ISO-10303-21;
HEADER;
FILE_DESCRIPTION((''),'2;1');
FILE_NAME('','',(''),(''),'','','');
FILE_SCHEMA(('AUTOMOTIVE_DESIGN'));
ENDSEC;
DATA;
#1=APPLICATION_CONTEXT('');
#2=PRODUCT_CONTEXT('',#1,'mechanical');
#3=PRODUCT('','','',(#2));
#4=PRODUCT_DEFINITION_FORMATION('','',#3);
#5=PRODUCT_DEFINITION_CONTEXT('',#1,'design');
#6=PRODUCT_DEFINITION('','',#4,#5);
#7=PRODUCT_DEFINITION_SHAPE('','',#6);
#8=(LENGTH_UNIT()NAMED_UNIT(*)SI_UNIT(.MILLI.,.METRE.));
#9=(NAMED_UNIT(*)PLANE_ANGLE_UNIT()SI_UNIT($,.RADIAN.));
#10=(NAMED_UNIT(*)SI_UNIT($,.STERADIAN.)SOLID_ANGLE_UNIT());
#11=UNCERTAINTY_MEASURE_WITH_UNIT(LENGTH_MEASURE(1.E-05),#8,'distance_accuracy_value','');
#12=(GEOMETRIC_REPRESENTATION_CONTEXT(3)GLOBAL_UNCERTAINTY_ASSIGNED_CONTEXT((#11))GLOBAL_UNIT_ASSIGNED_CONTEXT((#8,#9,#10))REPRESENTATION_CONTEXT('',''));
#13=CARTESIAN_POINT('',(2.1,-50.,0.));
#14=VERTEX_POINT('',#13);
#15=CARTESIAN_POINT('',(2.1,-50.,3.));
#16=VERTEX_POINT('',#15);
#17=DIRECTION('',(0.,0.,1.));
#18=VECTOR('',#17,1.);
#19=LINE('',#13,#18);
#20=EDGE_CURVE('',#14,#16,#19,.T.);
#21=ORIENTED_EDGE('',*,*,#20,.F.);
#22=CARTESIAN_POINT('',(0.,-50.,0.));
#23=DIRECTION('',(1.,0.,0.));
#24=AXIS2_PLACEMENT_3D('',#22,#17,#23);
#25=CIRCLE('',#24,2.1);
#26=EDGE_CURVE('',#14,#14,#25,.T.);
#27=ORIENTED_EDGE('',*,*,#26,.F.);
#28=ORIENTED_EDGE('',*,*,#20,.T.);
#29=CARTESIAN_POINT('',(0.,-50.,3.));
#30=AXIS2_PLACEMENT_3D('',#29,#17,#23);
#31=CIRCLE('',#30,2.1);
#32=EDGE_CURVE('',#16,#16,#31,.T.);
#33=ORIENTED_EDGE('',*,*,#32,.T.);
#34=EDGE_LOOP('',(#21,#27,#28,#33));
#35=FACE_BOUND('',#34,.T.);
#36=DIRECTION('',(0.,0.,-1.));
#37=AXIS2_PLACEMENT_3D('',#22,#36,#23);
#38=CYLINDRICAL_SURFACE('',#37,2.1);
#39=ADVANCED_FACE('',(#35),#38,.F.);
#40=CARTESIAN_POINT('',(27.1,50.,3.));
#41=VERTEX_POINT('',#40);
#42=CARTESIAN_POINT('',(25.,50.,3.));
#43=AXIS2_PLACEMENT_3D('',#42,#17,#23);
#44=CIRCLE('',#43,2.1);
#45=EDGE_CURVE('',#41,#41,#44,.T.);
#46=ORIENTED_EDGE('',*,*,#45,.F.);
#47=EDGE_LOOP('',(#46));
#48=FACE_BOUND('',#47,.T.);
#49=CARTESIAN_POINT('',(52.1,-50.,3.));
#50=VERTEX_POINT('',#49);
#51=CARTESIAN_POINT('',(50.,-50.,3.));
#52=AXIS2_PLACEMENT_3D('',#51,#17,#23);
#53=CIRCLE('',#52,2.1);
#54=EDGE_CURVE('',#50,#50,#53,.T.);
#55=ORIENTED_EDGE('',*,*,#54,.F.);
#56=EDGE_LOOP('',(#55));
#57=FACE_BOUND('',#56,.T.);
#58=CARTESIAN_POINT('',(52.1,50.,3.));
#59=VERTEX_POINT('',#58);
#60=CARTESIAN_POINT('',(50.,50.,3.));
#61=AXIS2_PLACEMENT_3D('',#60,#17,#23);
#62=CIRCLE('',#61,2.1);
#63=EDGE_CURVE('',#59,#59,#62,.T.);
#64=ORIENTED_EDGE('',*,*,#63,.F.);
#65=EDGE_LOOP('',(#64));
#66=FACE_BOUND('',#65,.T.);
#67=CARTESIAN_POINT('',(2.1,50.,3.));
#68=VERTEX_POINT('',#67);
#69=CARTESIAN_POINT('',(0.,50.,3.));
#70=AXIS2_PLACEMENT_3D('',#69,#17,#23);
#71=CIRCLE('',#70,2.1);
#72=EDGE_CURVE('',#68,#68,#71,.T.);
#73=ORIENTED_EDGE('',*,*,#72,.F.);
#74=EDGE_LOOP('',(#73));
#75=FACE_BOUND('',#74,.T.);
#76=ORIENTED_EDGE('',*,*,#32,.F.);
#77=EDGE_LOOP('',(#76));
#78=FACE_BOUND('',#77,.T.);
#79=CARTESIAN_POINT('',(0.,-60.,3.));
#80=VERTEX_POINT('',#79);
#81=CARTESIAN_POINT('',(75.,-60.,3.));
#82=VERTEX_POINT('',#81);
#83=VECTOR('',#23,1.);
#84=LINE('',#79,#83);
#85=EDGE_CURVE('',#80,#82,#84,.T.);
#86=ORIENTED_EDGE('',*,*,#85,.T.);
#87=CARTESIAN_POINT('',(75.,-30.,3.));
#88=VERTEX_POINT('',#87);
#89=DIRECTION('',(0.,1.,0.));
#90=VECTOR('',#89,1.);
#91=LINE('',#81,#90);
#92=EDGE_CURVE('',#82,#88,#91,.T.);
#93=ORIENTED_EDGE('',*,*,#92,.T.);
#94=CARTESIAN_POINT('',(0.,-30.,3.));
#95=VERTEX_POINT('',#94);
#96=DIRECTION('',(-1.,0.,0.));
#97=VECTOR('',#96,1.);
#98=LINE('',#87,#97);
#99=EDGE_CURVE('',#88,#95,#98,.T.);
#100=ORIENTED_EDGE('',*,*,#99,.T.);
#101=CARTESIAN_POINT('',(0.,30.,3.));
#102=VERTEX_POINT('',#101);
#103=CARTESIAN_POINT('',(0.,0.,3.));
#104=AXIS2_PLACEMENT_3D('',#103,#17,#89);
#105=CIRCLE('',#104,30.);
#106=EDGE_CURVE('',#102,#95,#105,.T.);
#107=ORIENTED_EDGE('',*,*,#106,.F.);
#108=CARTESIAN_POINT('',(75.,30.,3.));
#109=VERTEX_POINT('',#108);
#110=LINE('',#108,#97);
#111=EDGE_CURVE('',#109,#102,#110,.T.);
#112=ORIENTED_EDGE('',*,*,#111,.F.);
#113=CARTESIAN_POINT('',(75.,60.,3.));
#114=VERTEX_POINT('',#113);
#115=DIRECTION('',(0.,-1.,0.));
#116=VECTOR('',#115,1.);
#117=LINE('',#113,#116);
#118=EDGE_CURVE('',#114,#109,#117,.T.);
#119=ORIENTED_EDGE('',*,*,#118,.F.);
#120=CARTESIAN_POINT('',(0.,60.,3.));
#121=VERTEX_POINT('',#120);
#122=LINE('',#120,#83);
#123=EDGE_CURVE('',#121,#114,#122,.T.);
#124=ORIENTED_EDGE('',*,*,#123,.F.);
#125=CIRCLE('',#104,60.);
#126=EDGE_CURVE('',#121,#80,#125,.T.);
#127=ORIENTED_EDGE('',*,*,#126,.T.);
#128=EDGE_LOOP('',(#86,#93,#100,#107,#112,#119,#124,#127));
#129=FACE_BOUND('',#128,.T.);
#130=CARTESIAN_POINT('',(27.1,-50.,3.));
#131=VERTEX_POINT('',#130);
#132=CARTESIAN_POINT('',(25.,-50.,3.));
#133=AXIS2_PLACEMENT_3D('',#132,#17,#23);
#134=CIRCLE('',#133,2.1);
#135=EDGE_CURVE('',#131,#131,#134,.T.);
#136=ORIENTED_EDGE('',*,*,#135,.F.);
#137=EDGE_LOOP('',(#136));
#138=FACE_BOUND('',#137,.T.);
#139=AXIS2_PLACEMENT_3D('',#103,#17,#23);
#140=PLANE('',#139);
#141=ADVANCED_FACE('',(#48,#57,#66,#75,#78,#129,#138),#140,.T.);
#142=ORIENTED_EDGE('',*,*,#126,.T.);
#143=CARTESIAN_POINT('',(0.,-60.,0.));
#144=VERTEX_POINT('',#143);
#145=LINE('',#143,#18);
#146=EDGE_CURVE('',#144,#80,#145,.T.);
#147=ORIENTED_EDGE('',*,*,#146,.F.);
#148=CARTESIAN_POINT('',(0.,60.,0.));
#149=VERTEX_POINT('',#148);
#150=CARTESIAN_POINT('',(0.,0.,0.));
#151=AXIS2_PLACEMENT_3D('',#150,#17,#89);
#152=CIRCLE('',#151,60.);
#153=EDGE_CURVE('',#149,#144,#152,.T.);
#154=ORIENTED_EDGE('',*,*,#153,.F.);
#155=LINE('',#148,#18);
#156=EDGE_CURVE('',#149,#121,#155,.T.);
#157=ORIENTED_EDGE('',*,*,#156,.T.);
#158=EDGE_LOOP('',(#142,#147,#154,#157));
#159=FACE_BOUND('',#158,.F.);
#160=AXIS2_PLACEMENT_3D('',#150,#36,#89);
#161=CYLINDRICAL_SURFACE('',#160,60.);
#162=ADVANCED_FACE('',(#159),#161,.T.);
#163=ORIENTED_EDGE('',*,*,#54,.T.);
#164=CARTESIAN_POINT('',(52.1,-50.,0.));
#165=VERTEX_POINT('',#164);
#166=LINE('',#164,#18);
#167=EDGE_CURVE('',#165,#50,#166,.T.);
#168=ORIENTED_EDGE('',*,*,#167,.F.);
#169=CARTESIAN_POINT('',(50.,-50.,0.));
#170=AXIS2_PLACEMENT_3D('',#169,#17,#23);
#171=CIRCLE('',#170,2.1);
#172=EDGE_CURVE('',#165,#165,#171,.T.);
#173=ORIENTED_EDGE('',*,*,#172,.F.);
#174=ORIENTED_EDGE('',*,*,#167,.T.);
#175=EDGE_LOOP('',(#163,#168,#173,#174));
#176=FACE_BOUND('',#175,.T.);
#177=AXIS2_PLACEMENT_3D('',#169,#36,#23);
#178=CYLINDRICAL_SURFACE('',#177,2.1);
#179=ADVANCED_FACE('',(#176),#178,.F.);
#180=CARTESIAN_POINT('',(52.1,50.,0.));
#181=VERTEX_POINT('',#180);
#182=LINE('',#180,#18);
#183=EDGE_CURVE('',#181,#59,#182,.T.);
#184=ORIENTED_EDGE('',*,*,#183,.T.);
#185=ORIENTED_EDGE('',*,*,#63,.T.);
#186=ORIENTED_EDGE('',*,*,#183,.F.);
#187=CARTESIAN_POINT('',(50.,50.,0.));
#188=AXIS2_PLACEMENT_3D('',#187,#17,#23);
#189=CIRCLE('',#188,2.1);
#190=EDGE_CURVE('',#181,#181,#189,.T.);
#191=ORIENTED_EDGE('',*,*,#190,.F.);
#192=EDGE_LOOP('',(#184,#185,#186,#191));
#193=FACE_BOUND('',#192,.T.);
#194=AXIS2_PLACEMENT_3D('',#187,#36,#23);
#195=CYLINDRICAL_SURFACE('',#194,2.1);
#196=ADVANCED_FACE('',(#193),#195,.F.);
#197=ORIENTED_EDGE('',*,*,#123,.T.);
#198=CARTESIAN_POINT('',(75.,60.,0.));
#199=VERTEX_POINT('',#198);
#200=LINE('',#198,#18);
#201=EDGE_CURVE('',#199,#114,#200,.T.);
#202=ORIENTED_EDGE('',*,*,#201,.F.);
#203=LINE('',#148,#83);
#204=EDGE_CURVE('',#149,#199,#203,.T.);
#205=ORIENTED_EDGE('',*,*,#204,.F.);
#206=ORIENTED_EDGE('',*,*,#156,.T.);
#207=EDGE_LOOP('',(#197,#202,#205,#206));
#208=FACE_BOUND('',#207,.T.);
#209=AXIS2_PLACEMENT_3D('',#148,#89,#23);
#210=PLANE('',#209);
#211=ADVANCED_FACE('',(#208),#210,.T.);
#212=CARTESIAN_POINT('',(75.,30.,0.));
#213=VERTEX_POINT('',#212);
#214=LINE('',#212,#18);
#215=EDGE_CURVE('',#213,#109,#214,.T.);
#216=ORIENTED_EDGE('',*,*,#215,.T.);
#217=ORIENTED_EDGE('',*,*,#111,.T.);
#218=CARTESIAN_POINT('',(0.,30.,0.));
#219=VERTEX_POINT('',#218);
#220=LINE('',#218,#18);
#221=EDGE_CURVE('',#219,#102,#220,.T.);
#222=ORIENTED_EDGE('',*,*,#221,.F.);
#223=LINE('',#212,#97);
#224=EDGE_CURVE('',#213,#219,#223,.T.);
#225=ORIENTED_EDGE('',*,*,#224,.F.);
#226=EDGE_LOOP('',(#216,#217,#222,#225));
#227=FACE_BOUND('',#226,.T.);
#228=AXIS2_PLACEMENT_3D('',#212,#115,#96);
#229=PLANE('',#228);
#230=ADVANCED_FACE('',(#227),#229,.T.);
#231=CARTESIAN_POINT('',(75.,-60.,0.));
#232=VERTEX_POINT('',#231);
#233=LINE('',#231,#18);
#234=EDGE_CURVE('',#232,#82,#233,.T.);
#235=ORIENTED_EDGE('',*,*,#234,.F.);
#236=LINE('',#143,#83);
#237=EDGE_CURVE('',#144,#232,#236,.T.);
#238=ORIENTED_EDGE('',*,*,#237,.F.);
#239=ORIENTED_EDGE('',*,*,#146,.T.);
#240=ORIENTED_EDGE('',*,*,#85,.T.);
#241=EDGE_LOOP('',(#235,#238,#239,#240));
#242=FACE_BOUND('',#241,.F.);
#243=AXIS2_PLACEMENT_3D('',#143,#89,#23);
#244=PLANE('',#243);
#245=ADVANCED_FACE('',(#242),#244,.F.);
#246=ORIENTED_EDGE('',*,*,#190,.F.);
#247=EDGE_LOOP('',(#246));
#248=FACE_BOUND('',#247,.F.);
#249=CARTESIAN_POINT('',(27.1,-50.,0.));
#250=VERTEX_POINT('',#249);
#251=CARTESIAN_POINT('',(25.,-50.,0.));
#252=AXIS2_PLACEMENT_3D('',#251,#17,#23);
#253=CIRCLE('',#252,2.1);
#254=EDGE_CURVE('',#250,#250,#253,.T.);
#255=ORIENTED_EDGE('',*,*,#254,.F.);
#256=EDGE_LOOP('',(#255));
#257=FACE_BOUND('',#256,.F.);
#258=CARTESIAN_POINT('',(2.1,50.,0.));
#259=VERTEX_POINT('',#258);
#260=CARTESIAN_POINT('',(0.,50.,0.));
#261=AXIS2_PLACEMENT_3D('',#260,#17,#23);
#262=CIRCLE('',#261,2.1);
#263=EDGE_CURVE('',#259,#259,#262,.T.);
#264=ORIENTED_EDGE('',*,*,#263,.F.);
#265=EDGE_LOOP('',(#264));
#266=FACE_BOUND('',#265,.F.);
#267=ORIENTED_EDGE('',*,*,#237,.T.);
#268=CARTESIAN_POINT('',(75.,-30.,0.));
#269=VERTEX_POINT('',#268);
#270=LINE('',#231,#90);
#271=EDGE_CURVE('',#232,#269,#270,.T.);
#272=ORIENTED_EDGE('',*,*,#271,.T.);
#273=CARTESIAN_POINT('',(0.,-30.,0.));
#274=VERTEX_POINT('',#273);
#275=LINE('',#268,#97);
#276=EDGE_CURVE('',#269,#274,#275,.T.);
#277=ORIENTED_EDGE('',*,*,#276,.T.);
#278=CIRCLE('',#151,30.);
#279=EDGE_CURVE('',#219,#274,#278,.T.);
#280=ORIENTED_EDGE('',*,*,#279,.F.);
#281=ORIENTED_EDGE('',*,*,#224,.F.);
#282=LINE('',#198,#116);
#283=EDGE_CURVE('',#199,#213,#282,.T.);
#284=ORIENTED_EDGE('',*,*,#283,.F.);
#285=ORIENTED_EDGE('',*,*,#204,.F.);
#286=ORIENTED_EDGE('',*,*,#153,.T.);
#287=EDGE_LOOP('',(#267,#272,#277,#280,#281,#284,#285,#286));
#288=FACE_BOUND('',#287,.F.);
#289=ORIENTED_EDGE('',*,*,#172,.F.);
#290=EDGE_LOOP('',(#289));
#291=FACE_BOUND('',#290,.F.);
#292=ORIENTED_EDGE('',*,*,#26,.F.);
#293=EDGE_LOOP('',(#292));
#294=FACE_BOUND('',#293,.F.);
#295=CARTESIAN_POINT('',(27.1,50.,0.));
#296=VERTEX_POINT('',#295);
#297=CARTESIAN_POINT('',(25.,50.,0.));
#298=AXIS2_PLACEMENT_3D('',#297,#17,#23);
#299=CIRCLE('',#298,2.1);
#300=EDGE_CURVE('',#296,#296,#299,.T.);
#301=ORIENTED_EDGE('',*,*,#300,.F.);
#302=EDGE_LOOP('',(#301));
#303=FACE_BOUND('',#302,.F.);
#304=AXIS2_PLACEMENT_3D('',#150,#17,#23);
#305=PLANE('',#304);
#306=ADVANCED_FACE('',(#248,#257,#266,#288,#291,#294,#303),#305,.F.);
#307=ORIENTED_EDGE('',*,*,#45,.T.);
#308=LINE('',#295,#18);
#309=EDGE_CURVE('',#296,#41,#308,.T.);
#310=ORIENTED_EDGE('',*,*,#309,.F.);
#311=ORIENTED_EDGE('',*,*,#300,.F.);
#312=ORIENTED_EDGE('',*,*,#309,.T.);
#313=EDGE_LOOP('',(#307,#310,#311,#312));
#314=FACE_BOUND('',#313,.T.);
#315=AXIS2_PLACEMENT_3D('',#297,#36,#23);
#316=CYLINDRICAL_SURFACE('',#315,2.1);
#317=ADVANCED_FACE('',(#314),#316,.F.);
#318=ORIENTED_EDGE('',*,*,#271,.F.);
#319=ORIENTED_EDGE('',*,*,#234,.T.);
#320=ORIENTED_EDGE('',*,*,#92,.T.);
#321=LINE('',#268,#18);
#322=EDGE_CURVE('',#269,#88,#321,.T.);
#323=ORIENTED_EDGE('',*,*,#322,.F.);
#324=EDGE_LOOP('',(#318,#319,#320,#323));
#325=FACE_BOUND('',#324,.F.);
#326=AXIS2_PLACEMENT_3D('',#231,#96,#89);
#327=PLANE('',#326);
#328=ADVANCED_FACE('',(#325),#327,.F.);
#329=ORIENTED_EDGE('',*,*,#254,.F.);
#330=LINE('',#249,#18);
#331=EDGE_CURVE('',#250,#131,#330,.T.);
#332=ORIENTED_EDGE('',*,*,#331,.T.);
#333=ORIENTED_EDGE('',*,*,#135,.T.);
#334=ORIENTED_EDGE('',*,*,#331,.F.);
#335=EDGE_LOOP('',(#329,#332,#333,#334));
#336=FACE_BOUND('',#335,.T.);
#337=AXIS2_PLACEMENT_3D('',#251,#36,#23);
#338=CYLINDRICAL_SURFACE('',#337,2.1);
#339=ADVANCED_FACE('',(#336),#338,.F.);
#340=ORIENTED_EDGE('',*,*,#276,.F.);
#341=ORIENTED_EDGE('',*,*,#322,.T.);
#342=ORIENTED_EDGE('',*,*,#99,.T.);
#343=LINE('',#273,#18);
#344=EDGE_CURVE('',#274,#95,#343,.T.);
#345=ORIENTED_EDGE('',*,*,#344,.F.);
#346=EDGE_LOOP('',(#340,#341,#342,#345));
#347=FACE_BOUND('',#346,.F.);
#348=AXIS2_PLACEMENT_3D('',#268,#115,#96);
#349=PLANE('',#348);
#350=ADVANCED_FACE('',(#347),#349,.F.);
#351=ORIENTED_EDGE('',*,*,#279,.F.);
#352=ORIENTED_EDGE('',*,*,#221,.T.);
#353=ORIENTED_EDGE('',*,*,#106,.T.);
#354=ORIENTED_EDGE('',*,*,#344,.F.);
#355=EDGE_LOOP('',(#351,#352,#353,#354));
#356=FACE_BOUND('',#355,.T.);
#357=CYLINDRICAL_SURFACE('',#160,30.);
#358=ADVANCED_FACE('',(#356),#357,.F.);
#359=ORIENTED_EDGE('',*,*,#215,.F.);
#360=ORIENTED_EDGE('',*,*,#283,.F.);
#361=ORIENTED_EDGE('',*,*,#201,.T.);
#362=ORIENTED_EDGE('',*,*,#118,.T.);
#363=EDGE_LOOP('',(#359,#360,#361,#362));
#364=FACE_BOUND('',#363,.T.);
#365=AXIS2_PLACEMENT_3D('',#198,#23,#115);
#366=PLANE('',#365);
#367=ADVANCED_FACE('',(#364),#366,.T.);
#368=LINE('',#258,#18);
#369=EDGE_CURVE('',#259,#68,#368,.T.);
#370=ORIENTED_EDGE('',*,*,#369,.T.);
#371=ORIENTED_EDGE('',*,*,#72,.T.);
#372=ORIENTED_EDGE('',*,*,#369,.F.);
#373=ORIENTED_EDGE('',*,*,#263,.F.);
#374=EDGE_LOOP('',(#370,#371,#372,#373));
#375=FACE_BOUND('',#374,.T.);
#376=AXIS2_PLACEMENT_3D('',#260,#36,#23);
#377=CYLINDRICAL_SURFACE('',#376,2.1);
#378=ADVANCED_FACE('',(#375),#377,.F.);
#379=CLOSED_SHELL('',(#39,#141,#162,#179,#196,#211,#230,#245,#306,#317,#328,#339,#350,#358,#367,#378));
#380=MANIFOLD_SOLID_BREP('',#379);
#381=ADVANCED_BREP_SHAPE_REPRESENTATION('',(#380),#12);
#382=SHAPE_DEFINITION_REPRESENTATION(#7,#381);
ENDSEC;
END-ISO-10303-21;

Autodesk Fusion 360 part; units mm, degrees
sketch "草图1" plane through (0, 0, 0) normal (0, 0, 1) x (1, 0, 0)
  line L0 (0, 60) -> (75, 60)
  line L1 (75, 60) -> (75, 30)
  line L2 (75, 30) -> (0, 30)
  line L3 (0, -60) -> (75, -60)
  line L4 (75, -60) -> (75, -30)
  line L5 (75, -30) -> (0, -30)
  arc A0 (0, 60) -> (0, -60) centre (0, 0) ccw
  arc A1 (0, 30) -> (0, -30) centre (0, 0) ccw
  circle A2 centre (0, 50) radius 2.1
  circle A3 centre (25, 50) radius 2.1
  circle A4 centre (50, 50) radius 2.1
  circle A5 centre (0, -50) radius 2.1
  circle A6 centre (25, -50) radius 2.1
  circle A7 centre (50, -50) radius 2.1
  dimension "d1" = 4.2
  dimension "d2" = 4.2
  dimension "d3" = 4.2
  dimension "d4" = 4.2
  dimension "d5" = 4.2
  dimension "d6" = 4.2
extrude "拉伸1" add sketch "草图1" along normal blind 3
sketch "草图2" plane through (0, 0, 0) normal (0, 1, 0) x (1, 0, 0)
sketch "草图3" plane through (0, 0, 0) normal (0, 0, 1) x (1, 0, 0)
